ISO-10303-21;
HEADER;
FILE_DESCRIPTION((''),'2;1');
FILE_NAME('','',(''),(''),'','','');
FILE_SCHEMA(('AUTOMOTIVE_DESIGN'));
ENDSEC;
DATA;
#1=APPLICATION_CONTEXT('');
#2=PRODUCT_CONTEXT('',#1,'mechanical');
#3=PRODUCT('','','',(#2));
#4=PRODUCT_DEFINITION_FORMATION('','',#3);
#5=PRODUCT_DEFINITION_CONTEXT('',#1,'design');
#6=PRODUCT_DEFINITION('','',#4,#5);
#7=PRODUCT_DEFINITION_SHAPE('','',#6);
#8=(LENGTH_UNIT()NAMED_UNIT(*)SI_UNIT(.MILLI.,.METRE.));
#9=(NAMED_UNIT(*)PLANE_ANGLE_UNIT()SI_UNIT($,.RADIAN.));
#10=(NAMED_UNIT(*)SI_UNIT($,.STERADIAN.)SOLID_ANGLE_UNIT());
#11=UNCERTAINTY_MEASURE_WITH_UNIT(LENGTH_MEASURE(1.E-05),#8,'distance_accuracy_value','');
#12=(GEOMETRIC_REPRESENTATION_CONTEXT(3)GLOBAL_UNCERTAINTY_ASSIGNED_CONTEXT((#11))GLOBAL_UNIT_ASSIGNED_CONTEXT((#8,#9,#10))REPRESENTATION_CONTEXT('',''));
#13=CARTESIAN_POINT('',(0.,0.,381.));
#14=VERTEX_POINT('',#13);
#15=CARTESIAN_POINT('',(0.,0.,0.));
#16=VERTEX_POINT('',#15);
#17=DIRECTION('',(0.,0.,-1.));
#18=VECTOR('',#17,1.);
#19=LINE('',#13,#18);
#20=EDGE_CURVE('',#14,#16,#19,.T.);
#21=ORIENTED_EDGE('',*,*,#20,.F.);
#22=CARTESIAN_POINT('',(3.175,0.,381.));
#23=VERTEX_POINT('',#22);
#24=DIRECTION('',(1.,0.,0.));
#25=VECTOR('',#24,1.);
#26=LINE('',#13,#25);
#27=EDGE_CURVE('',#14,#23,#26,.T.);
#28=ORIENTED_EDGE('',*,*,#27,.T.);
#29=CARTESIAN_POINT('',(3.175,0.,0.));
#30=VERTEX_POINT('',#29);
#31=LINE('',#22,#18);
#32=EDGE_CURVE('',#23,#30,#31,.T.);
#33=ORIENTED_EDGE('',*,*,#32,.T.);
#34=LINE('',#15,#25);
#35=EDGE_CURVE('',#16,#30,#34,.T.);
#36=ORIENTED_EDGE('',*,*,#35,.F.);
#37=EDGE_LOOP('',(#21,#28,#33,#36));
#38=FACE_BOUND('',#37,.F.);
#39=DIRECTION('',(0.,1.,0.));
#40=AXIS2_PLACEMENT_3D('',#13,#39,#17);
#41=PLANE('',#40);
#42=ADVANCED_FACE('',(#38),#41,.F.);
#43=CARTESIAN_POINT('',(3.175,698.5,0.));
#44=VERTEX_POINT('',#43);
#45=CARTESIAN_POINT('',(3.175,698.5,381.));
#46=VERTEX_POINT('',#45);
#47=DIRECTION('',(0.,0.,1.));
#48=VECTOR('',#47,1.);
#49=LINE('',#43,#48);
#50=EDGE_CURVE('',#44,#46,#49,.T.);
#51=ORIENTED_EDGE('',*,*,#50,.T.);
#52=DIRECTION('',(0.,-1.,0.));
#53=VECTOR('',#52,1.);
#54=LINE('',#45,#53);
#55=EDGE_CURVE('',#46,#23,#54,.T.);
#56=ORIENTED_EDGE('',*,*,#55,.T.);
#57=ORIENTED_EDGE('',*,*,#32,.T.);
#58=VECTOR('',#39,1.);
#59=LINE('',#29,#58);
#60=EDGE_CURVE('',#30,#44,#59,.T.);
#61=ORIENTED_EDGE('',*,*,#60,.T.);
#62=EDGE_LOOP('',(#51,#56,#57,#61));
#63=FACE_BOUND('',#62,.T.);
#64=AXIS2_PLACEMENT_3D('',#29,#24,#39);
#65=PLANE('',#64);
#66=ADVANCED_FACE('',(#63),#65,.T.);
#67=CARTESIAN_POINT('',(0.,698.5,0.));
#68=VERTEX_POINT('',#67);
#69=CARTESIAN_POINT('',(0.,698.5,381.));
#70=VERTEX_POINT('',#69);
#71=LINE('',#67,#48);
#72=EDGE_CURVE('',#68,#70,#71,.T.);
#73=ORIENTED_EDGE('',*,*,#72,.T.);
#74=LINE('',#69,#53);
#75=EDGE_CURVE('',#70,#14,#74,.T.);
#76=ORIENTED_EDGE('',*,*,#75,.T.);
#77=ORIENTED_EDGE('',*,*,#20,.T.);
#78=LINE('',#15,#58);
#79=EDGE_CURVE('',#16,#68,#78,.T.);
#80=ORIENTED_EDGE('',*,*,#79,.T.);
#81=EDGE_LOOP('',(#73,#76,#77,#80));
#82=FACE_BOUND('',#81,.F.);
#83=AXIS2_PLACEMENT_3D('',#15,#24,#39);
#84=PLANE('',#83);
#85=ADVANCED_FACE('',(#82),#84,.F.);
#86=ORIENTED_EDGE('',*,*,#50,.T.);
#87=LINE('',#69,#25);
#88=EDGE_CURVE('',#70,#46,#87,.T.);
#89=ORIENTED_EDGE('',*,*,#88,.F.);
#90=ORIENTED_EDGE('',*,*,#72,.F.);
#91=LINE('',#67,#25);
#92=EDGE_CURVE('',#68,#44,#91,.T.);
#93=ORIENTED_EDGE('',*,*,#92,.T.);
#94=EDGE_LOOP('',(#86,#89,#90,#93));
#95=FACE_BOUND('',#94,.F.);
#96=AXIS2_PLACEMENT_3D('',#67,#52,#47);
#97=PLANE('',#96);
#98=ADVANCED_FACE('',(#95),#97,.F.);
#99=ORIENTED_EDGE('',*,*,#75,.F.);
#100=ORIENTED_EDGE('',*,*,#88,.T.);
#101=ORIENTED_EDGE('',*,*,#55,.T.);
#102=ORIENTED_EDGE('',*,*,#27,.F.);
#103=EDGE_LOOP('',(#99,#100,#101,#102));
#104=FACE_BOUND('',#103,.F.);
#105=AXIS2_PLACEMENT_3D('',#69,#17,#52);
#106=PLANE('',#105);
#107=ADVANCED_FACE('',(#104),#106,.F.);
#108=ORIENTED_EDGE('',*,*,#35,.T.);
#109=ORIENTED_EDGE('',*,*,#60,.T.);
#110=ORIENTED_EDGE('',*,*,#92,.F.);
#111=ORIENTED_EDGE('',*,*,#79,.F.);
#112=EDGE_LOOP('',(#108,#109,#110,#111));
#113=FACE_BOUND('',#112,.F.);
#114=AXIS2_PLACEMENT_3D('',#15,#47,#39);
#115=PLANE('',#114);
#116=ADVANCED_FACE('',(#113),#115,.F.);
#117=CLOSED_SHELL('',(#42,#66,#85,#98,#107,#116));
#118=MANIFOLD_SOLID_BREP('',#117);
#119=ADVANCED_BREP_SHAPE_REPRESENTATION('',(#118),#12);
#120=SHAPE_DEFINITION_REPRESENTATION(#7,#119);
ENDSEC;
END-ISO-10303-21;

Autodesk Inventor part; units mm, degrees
ref_plane "YZ Plane" through (0, 0, 0) normal (1, 0, 0) x (0, 1, 0)
ref_plane "XZ Plane" through (0, 0, 0) normal (0, 1, 0) x (-1, 0, 0)
ref_plane "XY Plane" through (0, 0, 0) normal (0, 0, 1) x (1, 0, 0)
sketch "Sketch1" plane through (0, 0, 0) normal (1, 0, 0) x (0, 1, 0)
  line L0 (0, 0) -> (698.5, 0)
  line L1 (698.5, 0) -> (698.5, 381)
  line L2 (698.5, 381) -> (0, 381)
  line L3 (0, 381) -> (0, 0)
  dimension "d0" = 698.5
  dimension "d1" = 381
extrude "Plate1" add sketch "Sketch1" along normal blind 3.175
equation "\"d2\" = Thickness"
equation "\"BendRadius\" = Thickness"
equation "\"BendReliefWidth\" = Thickness"
equation "\"BendReliefDepth\" = 0.5 * Thickness"
equation "\"CornerReliefSize\" = 4 * Thickness"
equation "\"MinimumRemnant\" = 2 * Thickness"
equation "\"TransitionRadius\" = BendRadius"
equation "\"JacobiRadiusSize\" = BendRadius"
equation "\"GapSize\" = Thickness"
equation "\"Thickness\" = 3.175"
properties part number "PLATE,HOPPER,FRONT" material "Polycarbonate, Clear"
